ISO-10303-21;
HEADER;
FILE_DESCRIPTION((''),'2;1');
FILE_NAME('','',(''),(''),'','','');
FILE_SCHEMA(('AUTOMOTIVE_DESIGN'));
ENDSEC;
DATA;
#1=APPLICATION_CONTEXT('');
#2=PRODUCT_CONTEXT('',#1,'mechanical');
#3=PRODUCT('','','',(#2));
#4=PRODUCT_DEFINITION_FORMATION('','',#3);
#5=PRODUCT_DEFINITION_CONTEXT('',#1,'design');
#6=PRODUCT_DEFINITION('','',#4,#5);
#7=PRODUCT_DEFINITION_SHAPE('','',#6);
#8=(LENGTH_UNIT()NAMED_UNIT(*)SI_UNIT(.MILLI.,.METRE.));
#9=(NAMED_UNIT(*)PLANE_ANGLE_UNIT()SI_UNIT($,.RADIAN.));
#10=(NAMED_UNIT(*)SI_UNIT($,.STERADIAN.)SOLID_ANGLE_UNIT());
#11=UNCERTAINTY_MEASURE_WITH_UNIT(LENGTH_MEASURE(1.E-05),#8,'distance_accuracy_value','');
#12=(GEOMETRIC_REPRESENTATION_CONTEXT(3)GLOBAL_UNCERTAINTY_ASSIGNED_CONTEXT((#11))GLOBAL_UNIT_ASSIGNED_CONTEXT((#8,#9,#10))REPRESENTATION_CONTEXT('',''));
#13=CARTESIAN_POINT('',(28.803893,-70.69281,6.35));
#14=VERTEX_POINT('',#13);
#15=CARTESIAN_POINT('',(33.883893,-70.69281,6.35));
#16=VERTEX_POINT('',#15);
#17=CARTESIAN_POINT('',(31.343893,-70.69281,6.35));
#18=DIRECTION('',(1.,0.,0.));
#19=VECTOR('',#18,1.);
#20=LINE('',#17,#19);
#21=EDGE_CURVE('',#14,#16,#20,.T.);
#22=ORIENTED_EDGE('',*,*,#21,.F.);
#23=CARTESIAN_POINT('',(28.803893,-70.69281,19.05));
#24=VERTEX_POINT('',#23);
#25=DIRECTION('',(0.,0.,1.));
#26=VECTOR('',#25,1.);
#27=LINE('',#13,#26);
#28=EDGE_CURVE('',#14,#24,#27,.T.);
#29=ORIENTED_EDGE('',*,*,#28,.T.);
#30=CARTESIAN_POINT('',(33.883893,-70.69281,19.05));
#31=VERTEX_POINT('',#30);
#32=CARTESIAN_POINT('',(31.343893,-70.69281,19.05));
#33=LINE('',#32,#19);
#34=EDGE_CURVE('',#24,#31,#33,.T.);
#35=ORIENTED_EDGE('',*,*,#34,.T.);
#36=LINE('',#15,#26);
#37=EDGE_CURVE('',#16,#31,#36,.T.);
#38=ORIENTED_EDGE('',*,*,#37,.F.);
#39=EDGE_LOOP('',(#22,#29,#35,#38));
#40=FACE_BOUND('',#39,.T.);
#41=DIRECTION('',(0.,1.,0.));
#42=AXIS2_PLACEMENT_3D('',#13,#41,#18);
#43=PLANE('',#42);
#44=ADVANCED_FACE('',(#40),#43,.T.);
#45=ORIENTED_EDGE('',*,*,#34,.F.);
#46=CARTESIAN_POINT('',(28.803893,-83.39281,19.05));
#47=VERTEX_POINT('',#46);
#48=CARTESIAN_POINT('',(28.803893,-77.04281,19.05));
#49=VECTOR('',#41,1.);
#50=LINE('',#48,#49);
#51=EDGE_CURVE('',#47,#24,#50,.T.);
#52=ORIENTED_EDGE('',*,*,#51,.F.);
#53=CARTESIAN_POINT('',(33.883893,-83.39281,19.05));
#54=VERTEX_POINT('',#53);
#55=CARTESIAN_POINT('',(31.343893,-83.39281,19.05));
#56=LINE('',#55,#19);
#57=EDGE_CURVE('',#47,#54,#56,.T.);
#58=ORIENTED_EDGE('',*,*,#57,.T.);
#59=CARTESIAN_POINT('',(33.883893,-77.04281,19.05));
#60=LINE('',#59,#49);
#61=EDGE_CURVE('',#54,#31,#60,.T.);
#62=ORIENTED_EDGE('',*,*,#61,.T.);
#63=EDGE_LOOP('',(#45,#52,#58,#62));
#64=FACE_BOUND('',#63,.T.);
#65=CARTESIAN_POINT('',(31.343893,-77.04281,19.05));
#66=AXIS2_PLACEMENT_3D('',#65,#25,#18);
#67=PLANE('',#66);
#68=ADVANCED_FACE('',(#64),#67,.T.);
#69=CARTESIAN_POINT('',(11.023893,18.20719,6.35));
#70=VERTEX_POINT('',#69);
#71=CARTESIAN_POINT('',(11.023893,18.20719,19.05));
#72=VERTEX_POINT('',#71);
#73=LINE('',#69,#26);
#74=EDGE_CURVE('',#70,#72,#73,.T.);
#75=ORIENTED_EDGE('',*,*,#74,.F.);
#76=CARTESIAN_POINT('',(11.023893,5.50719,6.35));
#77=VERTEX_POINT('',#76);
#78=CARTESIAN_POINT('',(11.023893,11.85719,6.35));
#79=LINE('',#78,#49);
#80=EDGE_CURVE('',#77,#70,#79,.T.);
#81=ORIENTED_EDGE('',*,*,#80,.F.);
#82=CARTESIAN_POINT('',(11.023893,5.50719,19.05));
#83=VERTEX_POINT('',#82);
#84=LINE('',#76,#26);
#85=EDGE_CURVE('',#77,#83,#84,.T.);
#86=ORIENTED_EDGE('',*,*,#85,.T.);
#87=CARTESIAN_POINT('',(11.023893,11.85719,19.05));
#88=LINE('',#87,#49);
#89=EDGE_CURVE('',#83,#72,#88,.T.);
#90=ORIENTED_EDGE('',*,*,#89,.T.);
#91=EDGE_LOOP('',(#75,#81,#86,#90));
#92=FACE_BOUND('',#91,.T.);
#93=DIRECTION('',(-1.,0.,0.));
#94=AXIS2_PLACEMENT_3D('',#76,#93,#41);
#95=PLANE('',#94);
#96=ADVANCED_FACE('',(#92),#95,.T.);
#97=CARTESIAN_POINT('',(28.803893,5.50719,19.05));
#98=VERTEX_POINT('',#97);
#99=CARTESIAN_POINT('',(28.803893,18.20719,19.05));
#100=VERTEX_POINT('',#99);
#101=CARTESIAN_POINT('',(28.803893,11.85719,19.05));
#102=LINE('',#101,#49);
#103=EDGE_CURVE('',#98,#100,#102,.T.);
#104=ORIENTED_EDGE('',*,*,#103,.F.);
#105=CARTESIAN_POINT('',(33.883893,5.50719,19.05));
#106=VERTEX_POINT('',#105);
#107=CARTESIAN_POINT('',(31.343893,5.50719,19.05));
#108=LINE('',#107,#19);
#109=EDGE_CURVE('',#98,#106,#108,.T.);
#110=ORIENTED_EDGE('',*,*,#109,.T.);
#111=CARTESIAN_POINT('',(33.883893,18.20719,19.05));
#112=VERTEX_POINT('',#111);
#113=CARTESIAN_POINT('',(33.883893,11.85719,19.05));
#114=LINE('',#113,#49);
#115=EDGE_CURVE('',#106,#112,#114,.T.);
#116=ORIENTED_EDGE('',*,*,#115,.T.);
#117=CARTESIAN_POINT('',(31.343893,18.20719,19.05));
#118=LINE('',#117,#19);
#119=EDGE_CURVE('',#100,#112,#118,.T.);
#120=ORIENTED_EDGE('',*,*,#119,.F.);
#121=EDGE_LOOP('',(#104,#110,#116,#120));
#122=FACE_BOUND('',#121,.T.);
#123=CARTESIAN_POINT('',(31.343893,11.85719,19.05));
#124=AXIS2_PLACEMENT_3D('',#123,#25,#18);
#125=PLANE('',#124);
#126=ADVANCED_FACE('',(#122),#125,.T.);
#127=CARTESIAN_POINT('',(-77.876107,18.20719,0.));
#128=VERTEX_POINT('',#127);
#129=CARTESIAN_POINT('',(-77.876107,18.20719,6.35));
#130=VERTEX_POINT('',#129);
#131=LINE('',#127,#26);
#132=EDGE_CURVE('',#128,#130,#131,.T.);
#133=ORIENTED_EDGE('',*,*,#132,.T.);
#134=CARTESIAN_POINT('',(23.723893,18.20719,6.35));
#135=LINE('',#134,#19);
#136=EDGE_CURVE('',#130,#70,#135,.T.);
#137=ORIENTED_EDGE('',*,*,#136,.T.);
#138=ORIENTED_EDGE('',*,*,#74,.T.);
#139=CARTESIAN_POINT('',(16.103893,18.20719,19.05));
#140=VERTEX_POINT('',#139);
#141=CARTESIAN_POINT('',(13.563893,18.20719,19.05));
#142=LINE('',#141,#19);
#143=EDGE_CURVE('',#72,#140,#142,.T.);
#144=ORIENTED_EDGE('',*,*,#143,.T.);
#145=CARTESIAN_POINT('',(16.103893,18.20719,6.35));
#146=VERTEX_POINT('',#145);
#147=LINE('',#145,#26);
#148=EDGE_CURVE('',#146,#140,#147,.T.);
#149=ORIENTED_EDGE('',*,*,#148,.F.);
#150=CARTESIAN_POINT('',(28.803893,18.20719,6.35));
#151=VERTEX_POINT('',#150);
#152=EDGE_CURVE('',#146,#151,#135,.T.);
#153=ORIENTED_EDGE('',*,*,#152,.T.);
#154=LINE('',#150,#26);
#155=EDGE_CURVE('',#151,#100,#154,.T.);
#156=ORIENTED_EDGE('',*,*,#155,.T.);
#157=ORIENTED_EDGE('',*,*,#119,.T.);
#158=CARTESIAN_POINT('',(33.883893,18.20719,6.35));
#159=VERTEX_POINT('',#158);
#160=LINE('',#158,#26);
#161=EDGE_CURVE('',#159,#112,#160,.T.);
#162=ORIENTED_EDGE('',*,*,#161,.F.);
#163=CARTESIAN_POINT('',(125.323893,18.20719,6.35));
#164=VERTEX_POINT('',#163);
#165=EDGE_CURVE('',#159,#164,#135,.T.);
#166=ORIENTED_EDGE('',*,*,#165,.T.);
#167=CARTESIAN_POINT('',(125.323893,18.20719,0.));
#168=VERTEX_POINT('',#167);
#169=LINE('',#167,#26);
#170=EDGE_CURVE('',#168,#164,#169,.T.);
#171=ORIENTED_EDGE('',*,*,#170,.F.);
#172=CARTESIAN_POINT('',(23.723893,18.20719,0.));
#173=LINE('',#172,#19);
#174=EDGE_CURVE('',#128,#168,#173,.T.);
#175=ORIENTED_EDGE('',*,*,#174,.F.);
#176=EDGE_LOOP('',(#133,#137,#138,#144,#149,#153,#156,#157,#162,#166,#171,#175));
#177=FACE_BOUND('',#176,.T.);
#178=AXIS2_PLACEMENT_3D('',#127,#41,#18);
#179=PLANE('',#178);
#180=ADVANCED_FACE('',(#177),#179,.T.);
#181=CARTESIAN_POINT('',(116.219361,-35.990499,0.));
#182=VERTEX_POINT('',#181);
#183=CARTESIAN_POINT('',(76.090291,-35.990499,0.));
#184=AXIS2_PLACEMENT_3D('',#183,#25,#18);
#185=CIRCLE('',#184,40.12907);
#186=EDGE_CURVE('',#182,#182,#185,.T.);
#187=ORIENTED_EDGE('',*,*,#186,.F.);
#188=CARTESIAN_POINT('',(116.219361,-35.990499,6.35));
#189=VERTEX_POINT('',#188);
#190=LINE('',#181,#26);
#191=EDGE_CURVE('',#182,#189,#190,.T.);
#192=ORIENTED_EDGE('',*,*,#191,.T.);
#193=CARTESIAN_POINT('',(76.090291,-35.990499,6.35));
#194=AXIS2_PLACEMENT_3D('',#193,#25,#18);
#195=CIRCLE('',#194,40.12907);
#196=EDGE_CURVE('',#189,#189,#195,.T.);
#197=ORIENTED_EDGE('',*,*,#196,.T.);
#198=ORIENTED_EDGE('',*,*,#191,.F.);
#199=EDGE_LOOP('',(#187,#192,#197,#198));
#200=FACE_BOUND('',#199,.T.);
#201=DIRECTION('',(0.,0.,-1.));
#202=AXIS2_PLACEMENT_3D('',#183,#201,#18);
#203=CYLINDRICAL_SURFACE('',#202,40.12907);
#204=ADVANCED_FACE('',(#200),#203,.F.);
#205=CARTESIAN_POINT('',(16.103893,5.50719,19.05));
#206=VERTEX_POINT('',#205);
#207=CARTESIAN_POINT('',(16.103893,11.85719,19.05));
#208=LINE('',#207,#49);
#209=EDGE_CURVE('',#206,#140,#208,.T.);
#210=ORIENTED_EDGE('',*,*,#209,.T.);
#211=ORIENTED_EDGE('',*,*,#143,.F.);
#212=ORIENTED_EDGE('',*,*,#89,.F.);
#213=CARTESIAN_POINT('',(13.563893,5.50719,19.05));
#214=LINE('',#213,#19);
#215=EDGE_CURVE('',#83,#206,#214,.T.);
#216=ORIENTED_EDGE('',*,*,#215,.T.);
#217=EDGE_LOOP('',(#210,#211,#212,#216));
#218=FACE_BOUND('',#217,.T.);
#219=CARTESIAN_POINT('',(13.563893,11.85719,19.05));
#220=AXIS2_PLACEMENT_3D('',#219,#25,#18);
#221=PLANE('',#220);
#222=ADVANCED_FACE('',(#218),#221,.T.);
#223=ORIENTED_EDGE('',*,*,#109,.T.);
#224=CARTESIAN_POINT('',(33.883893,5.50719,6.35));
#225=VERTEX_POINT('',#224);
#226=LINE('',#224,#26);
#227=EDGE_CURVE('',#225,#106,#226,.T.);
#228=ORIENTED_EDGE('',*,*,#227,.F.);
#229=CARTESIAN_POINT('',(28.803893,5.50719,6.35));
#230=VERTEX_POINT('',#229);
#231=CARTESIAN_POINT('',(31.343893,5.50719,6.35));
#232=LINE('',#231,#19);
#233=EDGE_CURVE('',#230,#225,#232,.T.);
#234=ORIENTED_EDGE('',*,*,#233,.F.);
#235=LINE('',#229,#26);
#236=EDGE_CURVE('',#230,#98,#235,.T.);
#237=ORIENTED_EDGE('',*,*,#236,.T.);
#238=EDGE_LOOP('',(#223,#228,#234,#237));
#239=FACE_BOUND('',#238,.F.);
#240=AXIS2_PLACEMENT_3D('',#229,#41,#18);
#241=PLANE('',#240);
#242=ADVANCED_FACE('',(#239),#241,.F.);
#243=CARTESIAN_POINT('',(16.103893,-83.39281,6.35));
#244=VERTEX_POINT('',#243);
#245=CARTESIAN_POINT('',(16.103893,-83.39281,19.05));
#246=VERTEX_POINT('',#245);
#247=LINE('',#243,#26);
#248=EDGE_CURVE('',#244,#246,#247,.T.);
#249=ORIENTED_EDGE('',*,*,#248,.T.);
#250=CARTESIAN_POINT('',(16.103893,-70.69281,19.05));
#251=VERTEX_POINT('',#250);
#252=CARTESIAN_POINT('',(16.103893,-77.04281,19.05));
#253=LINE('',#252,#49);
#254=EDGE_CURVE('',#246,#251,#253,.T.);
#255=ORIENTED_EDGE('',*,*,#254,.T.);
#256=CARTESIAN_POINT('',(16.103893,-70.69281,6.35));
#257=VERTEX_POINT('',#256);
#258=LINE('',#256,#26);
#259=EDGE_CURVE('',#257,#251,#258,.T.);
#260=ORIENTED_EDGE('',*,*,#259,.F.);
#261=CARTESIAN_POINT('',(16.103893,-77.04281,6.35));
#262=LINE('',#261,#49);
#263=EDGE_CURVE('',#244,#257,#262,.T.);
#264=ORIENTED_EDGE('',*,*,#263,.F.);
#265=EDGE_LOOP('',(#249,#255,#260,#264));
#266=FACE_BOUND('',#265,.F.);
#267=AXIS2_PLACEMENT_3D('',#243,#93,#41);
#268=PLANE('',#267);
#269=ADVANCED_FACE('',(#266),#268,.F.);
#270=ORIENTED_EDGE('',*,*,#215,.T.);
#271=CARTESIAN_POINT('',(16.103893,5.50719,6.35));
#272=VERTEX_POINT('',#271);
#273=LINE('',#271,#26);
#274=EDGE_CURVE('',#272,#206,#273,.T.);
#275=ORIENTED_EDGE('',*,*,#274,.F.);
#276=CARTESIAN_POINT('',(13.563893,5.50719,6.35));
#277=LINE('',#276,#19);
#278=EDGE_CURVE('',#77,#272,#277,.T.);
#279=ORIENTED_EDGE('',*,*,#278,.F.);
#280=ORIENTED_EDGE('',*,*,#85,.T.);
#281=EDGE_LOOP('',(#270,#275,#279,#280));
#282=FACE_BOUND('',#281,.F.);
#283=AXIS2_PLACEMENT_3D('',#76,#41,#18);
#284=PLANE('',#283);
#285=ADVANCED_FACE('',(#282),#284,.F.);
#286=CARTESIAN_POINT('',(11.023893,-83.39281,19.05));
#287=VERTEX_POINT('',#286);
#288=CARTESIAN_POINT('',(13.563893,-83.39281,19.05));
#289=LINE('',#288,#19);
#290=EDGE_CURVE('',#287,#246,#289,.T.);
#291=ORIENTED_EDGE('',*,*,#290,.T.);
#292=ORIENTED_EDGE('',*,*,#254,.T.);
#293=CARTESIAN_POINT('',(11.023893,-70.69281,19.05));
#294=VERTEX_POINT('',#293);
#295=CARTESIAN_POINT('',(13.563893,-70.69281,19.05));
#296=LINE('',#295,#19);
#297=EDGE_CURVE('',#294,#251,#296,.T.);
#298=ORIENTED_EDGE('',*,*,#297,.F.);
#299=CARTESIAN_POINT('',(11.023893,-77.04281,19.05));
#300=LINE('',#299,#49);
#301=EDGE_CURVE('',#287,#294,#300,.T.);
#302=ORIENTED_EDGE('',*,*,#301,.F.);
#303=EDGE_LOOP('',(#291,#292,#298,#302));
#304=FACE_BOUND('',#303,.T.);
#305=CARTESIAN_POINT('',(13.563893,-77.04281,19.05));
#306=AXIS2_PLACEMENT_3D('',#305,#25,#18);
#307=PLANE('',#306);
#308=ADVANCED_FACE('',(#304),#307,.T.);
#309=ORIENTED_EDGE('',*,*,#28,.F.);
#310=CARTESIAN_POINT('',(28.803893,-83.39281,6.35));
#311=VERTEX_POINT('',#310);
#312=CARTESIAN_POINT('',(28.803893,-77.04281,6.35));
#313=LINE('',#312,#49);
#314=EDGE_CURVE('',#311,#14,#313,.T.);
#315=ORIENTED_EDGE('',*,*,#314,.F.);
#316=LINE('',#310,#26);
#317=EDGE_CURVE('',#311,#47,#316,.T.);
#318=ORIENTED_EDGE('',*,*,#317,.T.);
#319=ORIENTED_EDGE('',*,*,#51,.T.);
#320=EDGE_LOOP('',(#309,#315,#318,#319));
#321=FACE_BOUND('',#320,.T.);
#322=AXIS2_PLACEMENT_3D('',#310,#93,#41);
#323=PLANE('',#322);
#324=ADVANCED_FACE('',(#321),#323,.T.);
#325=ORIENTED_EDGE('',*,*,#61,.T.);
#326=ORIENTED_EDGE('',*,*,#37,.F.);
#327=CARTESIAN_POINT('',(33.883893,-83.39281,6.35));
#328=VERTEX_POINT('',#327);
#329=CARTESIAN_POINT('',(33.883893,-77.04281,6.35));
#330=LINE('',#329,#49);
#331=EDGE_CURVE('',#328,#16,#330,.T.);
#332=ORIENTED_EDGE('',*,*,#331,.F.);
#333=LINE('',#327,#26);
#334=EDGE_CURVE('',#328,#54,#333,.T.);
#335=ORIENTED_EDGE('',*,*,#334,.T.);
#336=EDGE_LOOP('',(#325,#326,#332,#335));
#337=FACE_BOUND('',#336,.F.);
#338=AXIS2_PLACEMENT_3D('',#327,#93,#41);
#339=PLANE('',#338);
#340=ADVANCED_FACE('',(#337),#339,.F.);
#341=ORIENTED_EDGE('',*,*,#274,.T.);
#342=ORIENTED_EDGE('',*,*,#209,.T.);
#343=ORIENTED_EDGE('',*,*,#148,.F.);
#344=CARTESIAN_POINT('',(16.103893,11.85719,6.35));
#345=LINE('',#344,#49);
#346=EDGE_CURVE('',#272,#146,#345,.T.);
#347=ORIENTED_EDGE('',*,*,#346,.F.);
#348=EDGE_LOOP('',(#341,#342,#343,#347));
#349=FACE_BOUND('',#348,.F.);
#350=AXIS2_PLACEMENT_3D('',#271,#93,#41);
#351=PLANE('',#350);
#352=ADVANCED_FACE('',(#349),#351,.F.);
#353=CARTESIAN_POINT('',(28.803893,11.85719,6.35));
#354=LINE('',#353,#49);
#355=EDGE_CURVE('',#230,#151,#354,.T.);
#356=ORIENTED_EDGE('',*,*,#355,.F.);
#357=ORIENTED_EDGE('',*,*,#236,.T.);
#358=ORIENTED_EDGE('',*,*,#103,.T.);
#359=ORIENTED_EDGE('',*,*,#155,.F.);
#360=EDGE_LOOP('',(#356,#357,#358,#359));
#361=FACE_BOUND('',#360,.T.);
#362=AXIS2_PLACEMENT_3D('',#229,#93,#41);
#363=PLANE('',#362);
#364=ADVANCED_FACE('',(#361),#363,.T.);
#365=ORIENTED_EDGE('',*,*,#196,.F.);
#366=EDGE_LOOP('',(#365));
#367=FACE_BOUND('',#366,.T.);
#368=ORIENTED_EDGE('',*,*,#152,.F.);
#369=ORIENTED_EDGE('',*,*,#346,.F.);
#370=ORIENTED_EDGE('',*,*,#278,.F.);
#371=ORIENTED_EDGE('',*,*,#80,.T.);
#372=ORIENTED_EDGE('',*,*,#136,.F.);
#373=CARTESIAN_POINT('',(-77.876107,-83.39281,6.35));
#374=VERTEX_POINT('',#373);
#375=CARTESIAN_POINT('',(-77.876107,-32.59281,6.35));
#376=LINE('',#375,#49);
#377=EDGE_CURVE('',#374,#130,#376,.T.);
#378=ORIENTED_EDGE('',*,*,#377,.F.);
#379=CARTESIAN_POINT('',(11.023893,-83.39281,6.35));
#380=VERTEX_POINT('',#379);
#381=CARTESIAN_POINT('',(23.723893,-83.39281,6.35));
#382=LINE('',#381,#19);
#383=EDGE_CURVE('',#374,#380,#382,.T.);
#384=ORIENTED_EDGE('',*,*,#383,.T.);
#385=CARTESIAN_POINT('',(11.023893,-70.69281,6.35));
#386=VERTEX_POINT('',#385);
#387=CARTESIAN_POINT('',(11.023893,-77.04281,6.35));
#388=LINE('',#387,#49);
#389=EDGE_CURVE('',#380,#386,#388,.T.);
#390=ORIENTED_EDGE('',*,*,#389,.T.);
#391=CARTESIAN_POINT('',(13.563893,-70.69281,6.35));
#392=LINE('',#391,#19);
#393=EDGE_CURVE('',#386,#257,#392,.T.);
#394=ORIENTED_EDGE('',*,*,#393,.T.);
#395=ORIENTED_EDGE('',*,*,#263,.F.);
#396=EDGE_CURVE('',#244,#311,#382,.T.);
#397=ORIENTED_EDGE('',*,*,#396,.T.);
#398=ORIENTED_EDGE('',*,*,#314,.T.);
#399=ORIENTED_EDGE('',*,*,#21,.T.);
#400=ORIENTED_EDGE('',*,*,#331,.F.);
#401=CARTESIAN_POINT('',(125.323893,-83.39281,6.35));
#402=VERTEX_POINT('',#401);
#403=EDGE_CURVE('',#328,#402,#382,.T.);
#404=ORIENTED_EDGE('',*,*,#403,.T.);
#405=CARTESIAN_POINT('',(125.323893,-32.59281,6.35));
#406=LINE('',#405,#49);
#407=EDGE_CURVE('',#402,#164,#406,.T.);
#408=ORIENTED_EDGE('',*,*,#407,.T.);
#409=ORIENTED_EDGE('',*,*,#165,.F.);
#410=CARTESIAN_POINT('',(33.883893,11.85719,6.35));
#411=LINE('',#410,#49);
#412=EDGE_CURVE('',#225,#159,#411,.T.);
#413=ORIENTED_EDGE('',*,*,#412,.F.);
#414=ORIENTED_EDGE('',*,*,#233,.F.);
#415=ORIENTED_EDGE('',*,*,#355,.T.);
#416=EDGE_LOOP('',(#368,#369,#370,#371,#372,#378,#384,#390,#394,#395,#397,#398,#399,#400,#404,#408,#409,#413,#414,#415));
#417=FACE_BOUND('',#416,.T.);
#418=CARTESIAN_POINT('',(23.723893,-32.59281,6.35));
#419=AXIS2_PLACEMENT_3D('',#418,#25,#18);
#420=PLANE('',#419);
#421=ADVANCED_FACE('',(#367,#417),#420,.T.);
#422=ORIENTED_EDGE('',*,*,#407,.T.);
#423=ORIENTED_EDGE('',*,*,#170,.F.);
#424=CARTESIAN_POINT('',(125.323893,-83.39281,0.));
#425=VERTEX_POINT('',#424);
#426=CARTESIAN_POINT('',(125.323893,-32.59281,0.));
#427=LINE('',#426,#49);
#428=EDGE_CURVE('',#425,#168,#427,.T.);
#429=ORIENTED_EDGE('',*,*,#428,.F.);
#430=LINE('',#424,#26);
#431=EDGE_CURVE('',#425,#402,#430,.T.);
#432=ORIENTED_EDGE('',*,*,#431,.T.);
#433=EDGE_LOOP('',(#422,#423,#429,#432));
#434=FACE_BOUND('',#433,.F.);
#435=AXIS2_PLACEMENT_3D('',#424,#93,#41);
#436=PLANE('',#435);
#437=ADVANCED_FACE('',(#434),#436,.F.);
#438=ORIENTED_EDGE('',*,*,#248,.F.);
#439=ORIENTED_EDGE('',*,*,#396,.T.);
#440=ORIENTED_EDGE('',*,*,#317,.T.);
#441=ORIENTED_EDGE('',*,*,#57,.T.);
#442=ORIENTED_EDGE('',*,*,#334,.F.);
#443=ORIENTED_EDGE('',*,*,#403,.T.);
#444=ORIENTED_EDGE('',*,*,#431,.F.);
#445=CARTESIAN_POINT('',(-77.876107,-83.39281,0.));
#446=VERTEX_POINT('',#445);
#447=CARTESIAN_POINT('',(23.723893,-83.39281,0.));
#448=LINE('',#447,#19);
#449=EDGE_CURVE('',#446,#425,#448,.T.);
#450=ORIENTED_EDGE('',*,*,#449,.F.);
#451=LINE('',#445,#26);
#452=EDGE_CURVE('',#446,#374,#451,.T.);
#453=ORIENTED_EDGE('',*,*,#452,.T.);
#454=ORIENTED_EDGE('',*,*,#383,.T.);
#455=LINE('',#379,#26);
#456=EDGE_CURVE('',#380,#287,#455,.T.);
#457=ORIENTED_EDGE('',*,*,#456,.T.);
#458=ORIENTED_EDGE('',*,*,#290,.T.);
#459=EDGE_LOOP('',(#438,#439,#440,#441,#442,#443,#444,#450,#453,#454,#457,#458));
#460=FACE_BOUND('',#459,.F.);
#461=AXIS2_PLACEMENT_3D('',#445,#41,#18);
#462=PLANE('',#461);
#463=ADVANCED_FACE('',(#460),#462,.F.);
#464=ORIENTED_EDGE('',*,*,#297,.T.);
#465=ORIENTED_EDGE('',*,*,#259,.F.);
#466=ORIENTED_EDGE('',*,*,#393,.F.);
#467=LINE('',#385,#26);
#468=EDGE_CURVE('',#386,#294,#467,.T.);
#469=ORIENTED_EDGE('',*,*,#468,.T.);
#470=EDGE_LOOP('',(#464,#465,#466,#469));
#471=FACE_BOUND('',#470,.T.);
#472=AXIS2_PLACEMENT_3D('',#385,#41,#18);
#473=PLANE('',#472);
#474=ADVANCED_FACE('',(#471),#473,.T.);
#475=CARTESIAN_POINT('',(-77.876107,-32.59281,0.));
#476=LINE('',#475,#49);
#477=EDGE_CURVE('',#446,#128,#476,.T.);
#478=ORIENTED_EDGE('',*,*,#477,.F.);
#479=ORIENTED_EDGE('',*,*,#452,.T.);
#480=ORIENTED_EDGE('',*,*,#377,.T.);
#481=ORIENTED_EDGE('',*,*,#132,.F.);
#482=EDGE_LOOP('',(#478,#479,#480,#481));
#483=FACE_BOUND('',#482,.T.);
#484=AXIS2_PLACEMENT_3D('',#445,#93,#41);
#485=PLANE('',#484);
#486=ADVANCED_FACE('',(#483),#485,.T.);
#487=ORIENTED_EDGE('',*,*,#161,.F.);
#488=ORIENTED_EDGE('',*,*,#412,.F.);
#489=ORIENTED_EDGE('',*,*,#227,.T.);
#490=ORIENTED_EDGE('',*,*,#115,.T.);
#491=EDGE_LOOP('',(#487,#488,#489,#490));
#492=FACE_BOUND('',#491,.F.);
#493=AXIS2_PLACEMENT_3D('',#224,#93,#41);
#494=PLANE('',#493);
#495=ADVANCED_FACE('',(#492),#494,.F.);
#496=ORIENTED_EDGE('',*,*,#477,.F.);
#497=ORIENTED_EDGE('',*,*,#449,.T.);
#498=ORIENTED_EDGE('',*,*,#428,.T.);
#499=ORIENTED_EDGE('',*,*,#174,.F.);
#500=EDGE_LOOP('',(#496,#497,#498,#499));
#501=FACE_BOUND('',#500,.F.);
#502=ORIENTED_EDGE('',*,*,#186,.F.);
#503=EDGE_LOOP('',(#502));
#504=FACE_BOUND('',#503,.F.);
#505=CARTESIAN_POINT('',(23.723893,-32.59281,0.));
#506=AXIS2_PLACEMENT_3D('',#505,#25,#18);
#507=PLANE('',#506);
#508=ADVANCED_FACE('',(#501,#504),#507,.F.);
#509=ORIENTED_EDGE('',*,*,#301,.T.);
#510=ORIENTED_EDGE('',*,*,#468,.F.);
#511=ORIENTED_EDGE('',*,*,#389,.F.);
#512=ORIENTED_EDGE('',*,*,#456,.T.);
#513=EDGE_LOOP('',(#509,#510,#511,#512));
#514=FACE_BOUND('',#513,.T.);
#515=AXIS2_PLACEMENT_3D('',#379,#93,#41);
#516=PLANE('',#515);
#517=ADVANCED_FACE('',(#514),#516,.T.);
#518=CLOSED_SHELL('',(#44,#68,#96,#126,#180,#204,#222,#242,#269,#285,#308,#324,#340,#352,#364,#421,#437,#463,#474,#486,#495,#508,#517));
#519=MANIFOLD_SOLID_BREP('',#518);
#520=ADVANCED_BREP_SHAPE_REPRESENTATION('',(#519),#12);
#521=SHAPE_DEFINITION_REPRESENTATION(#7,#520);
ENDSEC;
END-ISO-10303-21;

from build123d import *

# Parameters (mm, degrees)
F0_W     = 203.2
F0_H     = 101.6
F0_R     = 40.12907
F1_DEPTH = 6.35
F2_W     = 5.08
F2_H     = 12.7
F3_DEPTH = 12.7
F4_DEPTH = 12.7


with BuildPart() as f1:
    # F0 (on Top) → F1 (new body)
    with BuildSketch(Plane.XY):
        with Locations((23.723893, -32.59281)):
            Rectangle(F0_W, F0_H)
        with Locations((76.090291, -35.990499)):
            Circle(F0_R, mode=Mode.SUBTRACT)
    extrude(amount=F1_DEPTH)

    # F2 (on face) → F3 (join)
    with BuildSketch(Plane.XY.offset(6.35)):
        with Locations((13.563893, -77.04281)):
            Rectangle(F2_W, F2_H)
        with Locations((31.343893, -77.04281)):
            Rectangle(F2_W, F2_H)
    extrude(amount=F3_DEPTH)

    # F2 (on face) → F4 (join)
    with BuildSketch(Plane.XY.offset(6.35)):
        with Locations((31.343893, -77.04281)):
            Rectangle(F2_W, F2_H)
        with Locations((13.563893, -77.04281)):
            Rectangle(F2_W, F2_H)
        with Locations((31.343893, 11.85719)):
            Rectangle(F2_W, F2_H)
        with Locations((13.563893, 11.85719)):
            Rectangle(F2_W, F2_H)
    extrude(amount=F4_DEPTH)


solid = f1.part
